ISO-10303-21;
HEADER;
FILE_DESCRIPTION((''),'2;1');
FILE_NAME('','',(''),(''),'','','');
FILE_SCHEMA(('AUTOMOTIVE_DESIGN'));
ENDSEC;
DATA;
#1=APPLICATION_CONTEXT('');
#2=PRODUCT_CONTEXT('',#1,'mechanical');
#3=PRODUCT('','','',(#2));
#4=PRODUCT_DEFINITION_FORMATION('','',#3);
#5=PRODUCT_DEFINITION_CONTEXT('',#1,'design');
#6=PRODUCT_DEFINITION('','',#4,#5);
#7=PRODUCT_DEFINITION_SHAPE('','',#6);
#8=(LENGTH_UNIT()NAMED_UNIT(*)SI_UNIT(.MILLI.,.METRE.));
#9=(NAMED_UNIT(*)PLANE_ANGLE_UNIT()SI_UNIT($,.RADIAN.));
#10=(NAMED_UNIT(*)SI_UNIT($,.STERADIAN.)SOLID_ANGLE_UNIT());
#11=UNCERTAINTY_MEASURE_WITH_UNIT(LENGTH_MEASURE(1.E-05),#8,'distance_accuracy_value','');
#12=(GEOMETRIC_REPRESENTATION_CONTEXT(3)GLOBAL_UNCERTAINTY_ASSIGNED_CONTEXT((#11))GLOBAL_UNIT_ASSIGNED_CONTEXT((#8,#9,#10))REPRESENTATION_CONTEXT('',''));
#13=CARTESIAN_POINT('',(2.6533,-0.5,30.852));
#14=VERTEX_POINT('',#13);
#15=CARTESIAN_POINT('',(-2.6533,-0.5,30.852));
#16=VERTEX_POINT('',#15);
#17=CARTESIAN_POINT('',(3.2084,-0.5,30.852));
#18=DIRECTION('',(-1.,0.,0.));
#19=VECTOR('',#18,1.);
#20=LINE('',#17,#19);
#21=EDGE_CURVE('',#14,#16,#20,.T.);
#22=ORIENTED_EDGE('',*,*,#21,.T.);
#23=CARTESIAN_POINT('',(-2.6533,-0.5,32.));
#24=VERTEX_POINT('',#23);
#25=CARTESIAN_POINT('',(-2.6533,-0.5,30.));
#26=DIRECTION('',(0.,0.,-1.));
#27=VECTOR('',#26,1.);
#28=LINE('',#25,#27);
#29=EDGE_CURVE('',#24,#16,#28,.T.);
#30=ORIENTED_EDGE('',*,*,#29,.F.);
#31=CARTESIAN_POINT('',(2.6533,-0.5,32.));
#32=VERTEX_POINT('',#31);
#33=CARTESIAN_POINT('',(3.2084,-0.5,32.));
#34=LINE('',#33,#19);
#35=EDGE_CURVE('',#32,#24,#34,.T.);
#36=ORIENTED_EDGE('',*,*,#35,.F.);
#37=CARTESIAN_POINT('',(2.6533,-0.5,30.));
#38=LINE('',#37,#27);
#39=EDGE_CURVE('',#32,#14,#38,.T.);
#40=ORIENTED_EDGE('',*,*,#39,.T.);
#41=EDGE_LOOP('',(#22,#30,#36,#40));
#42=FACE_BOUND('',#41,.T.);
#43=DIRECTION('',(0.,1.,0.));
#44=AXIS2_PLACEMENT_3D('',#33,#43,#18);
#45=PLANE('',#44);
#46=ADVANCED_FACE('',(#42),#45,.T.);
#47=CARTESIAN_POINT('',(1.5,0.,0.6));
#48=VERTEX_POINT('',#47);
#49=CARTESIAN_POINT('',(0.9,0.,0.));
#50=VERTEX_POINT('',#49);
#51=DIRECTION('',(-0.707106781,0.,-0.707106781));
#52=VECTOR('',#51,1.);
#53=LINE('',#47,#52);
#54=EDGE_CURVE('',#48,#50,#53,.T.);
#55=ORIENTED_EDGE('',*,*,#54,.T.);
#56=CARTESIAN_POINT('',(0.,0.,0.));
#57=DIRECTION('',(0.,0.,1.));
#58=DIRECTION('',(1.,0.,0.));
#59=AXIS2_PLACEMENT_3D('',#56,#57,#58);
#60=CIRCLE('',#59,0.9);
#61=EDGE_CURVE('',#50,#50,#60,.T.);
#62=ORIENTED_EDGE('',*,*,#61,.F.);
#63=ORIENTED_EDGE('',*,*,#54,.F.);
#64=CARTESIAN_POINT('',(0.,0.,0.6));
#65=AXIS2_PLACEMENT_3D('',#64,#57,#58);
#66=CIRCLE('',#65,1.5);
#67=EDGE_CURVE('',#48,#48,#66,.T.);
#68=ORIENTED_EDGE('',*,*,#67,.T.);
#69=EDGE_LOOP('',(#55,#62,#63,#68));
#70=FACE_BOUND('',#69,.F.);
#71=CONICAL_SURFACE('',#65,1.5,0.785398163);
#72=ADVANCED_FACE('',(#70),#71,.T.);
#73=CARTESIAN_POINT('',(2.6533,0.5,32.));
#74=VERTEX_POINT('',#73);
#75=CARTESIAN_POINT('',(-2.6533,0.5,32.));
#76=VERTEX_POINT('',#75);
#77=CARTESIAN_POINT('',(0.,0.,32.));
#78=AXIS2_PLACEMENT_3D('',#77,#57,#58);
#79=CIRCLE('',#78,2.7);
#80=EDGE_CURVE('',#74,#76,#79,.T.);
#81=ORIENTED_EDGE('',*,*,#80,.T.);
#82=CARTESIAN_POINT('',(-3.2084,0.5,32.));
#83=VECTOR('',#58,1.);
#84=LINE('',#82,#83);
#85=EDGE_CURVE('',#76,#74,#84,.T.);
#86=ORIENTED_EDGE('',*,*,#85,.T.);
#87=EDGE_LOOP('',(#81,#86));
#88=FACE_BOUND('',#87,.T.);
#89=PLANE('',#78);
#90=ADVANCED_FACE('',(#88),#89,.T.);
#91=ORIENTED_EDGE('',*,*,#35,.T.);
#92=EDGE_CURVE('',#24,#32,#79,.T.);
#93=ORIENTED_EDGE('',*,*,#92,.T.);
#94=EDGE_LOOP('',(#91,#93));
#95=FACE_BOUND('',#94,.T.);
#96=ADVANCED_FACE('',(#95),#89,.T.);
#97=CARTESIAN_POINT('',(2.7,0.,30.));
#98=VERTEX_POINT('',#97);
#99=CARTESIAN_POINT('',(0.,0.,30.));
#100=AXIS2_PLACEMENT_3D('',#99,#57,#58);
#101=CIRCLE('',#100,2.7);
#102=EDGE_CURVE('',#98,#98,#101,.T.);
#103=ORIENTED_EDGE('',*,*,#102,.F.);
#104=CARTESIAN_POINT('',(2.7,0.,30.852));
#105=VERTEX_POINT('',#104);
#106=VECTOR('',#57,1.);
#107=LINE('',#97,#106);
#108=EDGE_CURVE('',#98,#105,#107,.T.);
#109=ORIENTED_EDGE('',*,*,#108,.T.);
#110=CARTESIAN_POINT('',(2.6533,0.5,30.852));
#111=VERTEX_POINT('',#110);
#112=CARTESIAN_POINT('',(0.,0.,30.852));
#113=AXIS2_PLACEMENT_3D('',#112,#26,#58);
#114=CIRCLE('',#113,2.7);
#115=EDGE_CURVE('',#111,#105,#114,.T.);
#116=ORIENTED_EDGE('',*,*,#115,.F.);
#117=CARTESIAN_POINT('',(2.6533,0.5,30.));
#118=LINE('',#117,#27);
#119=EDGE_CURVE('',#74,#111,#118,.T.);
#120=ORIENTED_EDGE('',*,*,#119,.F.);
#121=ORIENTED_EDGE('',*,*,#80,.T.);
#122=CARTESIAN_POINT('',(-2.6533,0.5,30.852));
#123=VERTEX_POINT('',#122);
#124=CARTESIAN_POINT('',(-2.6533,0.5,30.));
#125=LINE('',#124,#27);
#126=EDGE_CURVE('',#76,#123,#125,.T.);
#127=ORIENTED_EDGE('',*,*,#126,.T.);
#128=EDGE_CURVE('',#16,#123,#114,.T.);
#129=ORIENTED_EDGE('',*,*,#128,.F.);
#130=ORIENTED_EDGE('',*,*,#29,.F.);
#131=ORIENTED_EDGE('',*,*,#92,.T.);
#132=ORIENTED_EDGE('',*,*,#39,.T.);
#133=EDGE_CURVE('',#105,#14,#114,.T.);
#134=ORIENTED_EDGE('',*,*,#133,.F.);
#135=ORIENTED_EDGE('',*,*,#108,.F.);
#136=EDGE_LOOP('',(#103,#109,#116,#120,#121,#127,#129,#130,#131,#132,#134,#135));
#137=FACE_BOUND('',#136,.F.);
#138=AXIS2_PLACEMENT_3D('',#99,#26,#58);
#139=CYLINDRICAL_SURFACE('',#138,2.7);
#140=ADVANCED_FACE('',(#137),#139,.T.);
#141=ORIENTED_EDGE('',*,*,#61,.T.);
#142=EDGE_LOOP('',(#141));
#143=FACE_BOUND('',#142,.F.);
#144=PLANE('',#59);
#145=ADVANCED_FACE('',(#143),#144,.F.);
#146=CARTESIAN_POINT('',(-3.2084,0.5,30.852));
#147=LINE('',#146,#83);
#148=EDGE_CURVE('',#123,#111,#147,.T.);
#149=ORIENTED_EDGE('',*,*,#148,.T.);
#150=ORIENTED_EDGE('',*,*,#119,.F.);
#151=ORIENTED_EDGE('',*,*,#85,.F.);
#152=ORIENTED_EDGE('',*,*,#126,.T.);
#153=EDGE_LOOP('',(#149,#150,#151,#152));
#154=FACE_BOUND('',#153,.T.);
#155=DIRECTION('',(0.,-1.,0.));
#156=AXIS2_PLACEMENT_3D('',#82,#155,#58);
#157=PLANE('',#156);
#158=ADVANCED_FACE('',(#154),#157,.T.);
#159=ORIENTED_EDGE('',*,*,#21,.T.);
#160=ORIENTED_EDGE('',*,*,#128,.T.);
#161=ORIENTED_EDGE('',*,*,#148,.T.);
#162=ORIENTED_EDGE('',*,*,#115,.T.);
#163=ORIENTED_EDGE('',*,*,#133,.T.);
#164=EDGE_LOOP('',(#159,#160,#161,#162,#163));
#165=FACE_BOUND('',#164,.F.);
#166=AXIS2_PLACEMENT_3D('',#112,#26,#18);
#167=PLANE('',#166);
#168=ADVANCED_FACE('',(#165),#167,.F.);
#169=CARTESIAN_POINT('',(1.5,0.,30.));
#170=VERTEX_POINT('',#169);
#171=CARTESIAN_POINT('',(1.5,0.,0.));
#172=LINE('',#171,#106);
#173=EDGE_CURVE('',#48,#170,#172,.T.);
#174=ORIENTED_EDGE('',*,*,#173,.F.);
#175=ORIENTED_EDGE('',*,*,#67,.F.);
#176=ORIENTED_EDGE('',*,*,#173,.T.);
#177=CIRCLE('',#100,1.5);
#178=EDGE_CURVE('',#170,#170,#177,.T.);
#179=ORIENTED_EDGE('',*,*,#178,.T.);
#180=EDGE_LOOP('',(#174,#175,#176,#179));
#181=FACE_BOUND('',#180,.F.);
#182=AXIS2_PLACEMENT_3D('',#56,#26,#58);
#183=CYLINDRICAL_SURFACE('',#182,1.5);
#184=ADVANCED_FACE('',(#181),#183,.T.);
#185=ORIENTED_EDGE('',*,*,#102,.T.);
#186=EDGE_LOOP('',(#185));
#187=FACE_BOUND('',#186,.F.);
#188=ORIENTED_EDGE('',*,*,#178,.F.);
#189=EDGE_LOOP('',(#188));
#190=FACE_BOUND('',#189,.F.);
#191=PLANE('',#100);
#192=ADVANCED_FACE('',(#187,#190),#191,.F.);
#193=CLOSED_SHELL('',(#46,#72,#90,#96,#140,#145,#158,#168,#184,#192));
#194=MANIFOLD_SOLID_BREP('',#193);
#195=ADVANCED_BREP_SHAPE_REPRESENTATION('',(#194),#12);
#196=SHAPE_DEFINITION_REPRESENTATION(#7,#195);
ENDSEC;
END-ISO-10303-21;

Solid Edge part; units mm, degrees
sketch "Sketch1" plane through (0, 0, 0) normal (0, 0, 1) x (1, 0, 0)
  circle A0 centre (0, 0) radius 1.5
  dimension "D1" = 3
extrude "Protrusion1" add sketch "Sketch1" along normal blind 30
chamfer "Chaflán_1" distance 0.6 angle 45 1 edges at (-1.5, 0, 0)
sketch "Sketch2" plane through (0, 0, 30) normal (0, 0, 1) x (1, 0, 0)
  circle A0 centre (0, 0) radius 2.7
  dimension "D1" = 5.4
extrude "ProtrusiónExtruida_3" add sketch "Sketch2" along normal blind 2
sketch "Sketch3" plane through (0, 0, 32) normal (0, 0, 1) x (0, 1, 0)
  line L0 (0.5, -3.2084) -> (-0.5, -3.2084)
  line L1 (-0.5, -3.2084) -> (-0.5, 3.2084)
  line L2 (-0.5, 3.2084) -> (0.5, 3.2084)
  line L3 (0.5, 3.2084) -> (0.5, -3.2084)
  dimension "D1" = 0.5
extrude "VaciadoExtruido_5" cut sketch "Sketch3" against normal blind 1.148
properties material "Acero inoxidable, 303"
